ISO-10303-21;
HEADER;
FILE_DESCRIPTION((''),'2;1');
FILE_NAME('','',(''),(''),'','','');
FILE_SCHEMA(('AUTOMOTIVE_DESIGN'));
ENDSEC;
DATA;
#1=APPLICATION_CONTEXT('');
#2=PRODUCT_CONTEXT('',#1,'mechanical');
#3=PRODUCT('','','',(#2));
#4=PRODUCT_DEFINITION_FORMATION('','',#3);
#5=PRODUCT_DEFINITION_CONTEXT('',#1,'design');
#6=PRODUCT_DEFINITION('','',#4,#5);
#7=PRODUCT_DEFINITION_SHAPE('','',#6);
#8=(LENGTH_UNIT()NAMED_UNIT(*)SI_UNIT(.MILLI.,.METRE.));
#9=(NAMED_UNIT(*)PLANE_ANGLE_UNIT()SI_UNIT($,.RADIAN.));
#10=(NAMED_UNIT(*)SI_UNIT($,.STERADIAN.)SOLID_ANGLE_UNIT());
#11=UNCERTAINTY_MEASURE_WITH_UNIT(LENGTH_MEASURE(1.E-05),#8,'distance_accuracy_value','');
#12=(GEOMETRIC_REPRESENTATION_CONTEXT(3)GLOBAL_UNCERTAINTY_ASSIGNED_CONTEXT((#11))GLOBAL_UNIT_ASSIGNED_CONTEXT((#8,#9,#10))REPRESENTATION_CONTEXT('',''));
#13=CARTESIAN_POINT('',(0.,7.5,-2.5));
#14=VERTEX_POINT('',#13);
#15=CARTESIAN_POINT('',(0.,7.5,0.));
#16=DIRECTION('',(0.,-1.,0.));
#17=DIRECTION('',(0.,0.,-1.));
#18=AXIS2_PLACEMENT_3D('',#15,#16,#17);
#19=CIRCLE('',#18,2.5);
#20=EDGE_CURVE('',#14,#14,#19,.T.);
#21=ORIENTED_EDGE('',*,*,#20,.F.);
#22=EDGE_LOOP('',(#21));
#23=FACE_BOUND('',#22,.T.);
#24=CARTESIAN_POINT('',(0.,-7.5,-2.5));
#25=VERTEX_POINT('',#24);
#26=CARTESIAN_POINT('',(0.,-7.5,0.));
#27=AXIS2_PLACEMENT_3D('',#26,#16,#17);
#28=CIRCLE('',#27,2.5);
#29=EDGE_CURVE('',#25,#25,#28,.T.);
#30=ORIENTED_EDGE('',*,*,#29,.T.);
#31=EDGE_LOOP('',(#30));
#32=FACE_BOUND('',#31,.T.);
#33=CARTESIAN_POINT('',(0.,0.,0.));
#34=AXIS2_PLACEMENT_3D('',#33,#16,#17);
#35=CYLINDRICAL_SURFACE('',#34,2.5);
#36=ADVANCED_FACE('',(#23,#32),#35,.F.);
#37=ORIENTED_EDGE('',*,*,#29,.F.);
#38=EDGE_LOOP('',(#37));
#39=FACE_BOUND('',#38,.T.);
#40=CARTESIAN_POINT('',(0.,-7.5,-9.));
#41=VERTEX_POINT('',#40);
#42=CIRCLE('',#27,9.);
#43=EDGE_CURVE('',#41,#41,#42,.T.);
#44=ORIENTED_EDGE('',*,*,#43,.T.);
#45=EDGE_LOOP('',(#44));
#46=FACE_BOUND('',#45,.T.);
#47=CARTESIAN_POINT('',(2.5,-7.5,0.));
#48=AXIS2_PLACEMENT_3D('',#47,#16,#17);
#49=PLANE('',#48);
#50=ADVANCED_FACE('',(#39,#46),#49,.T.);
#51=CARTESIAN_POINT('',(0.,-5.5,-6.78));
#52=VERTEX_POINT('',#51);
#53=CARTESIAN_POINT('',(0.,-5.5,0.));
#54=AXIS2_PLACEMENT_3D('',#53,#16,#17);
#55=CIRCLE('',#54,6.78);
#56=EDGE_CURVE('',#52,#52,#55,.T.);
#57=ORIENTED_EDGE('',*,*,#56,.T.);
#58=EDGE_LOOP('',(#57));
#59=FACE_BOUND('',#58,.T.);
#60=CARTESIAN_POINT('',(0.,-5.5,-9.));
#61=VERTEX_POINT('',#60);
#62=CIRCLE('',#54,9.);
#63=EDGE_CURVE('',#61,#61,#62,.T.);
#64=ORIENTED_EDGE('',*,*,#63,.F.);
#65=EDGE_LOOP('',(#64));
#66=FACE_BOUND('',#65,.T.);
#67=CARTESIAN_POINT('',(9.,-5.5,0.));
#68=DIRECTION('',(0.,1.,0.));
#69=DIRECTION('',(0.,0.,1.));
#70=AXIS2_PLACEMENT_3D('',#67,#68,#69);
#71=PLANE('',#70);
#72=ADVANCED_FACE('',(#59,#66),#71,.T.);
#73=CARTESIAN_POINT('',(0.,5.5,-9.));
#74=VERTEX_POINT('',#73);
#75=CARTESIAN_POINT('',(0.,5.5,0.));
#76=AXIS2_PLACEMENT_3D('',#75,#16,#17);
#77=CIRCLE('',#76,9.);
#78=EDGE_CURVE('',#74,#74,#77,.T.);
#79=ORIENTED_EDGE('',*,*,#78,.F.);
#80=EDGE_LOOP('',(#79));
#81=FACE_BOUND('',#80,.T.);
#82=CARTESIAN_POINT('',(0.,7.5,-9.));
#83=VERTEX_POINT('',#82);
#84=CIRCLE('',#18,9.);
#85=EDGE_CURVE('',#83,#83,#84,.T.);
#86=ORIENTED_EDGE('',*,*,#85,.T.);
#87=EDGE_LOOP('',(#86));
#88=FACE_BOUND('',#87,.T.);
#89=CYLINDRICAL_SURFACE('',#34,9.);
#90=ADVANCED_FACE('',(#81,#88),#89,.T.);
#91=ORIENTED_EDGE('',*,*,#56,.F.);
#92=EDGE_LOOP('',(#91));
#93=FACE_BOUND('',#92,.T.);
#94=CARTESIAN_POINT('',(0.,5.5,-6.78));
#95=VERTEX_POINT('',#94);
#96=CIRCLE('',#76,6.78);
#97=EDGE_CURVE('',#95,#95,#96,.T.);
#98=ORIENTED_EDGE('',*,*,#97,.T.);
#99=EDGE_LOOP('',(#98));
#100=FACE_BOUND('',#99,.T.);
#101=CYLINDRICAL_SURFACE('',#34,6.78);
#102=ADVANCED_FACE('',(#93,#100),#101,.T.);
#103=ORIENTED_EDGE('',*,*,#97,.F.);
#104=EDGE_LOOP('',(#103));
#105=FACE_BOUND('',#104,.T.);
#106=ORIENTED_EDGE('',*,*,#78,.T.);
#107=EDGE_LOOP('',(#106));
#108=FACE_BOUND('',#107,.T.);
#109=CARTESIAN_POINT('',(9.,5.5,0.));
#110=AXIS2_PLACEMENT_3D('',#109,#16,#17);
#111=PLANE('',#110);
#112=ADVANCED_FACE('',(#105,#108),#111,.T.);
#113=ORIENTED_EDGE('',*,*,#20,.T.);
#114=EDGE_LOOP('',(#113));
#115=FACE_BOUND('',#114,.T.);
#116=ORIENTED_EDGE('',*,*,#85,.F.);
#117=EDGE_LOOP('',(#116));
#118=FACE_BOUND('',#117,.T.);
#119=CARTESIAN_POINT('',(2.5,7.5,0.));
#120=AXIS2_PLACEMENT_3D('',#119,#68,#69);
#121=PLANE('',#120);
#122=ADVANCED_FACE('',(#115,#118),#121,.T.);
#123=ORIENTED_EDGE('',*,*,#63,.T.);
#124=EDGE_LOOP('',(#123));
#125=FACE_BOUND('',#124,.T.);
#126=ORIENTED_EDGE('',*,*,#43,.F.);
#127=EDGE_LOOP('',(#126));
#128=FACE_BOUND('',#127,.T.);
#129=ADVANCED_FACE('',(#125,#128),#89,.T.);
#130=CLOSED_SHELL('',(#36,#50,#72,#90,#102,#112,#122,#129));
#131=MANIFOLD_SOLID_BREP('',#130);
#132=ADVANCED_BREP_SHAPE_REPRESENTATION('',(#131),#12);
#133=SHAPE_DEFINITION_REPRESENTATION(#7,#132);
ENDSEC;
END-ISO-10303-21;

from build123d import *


with BuildPart() as part:
    # 草图1 → 旋转1 (revolve)
    with BuildSketch(Plane.XY, mode=Mode.PRIVATE) as revolve_1_sk:
        Polygon((2.5, 7.5), (9, 7.5), (9, 5.5), (6.78, 5.5), (6.78, -5.5), (9, -5.5), (9, -7.5), (2.5, -7.5), align=None)
    revolve(revolve_1_sk.sketch.rotate(Axis((0, 0, 0), (0, 1, 0)), 90), axis=Axis((0, 0, 0), (0, 1, 0)))


solid = part.part
